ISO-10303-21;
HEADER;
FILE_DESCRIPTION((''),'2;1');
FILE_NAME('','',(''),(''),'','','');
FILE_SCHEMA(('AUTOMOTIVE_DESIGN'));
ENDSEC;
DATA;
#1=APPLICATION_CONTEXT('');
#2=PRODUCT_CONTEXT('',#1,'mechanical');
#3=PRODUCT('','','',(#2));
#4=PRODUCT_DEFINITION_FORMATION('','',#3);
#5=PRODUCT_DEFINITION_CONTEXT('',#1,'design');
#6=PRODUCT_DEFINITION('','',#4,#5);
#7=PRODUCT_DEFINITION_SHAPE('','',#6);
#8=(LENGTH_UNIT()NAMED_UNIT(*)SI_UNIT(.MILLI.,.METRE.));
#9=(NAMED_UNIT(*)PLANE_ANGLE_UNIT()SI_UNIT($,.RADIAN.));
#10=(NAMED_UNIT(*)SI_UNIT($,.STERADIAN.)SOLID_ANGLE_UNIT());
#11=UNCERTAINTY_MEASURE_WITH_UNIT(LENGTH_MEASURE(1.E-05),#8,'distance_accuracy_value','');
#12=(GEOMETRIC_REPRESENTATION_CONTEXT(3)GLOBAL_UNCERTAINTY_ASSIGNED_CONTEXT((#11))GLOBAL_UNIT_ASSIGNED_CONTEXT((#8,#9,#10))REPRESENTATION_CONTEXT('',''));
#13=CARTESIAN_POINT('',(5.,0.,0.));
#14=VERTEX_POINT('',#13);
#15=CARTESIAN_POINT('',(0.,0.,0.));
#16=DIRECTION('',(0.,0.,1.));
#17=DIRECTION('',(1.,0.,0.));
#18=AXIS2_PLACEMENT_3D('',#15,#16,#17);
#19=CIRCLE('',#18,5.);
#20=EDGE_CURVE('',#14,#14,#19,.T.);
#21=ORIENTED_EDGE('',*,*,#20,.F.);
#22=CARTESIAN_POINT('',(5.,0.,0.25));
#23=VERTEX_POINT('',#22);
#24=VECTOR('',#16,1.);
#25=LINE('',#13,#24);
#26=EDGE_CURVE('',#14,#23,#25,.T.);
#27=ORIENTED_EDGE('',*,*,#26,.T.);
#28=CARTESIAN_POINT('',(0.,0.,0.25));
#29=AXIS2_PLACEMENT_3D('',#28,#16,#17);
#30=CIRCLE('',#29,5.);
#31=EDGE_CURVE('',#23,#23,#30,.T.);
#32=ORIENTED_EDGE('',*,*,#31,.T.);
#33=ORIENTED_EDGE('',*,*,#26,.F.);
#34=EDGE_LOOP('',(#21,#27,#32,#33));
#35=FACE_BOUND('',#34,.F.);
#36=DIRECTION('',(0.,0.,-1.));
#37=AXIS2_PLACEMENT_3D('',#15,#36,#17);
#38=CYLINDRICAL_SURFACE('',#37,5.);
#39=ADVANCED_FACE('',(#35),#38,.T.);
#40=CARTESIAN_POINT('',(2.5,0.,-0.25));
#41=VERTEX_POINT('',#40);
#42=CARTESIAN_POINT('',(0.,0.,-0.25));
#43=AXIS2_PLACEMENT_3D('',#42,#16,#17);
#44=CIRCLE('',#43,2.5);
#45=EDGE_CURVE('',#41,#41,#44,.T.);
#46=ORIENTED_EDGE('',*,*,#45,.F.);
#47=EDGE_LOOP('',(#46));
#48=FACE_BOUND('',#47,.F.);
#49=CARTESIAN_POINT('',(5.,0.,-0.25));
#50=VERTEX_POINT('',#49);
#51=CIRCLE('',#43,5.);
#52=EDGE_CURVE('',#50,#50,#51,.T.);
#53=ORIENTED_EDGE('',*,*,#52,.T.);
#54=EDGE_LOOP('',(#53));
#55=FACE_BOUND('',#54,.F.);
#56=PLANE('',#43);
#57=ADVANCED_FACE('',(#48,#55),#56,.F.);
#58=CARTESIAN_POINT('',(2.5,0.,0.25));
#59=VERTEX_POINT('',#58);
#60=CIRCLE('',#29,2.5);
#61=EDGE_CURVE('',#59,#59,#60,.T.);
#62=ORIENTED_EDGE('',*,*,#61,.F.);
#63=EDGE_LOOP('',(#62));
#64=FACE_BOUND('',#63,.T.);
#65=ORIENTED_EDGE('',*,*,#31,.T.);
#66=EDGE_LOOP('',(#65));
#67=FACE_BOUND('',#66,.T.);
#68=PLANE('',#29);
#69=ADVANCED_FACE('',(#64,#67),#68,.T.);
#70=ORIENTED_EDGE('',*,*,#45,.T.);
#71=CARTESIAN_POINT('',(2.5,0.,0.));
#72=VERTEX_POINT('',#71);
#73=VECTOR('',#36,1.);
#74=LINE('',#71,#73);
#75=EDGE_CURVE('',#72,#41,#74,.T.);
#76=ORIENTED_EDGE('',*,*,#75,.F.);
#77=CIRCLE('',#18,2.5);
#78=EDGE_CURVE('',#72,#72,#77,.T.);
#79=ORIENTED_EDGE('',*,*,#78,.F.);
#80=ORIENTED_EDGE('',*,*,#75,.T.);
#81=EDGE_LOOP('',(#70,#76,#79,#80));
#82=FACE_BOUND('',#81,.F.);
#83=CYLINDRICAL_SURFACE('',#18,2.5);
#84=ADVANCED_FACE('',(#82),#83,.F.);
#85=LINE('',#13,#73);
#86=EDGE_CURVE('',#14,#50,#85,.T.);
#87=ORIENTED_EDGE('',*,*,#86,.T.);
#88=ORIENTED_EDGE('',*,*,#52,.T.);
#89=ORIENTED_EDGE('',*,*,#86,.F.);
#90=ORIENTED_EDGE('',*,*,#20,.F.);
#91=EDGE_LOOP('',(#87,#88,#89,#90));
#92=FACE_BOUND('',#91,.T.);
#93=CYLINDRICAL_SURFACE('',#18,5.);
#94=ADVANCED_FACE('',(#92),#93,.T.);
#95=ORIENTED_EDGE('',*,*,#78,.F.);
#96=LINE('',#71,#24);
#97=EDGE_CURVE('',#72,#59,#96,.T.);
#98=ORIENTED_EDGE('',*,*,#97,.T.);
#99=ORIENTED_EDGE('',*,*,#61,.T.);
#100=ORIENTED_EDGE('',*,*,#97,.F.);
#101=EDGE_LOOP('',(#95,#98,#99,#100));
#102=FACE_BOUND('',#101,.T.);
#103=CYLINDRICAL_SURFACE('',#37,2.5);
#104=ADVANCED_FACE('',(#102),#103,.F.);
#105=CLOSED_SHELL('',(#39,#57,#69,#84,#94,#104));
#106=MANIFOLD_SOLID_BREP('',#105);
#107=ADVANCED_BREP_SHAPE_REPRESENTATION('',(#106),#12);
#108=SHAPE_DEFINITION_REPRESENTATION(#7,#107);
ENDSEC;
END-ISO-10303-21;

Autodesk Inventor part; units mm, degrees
ref_plane "YZ Plane" through (0, 0, 0) normal (1, 0, 0) x (0, 1, 0)
ref_plane "XZ Plane" through (0, 0, 0) normal (0, 1, 0) x (-1, 0, 0)
ref_plane "XY Plane" through (0, 0, 0) normal (0, 0, 1) x (1, 0, 0)
sketch "Sketch1" plane through (0, 0, 0) normal (0, 0, 1) x (1, 0, 0)
  circle A0 centre (0, 0) radius 5
  circle A1 centre (0, 0) radius 2.5
  dimension "d0" = 10
  dimension "d1" = 5
extrude "Extrusion1" add sketch "Sketch1" along normal mid plane 0.5
properties part number "sicherung"
